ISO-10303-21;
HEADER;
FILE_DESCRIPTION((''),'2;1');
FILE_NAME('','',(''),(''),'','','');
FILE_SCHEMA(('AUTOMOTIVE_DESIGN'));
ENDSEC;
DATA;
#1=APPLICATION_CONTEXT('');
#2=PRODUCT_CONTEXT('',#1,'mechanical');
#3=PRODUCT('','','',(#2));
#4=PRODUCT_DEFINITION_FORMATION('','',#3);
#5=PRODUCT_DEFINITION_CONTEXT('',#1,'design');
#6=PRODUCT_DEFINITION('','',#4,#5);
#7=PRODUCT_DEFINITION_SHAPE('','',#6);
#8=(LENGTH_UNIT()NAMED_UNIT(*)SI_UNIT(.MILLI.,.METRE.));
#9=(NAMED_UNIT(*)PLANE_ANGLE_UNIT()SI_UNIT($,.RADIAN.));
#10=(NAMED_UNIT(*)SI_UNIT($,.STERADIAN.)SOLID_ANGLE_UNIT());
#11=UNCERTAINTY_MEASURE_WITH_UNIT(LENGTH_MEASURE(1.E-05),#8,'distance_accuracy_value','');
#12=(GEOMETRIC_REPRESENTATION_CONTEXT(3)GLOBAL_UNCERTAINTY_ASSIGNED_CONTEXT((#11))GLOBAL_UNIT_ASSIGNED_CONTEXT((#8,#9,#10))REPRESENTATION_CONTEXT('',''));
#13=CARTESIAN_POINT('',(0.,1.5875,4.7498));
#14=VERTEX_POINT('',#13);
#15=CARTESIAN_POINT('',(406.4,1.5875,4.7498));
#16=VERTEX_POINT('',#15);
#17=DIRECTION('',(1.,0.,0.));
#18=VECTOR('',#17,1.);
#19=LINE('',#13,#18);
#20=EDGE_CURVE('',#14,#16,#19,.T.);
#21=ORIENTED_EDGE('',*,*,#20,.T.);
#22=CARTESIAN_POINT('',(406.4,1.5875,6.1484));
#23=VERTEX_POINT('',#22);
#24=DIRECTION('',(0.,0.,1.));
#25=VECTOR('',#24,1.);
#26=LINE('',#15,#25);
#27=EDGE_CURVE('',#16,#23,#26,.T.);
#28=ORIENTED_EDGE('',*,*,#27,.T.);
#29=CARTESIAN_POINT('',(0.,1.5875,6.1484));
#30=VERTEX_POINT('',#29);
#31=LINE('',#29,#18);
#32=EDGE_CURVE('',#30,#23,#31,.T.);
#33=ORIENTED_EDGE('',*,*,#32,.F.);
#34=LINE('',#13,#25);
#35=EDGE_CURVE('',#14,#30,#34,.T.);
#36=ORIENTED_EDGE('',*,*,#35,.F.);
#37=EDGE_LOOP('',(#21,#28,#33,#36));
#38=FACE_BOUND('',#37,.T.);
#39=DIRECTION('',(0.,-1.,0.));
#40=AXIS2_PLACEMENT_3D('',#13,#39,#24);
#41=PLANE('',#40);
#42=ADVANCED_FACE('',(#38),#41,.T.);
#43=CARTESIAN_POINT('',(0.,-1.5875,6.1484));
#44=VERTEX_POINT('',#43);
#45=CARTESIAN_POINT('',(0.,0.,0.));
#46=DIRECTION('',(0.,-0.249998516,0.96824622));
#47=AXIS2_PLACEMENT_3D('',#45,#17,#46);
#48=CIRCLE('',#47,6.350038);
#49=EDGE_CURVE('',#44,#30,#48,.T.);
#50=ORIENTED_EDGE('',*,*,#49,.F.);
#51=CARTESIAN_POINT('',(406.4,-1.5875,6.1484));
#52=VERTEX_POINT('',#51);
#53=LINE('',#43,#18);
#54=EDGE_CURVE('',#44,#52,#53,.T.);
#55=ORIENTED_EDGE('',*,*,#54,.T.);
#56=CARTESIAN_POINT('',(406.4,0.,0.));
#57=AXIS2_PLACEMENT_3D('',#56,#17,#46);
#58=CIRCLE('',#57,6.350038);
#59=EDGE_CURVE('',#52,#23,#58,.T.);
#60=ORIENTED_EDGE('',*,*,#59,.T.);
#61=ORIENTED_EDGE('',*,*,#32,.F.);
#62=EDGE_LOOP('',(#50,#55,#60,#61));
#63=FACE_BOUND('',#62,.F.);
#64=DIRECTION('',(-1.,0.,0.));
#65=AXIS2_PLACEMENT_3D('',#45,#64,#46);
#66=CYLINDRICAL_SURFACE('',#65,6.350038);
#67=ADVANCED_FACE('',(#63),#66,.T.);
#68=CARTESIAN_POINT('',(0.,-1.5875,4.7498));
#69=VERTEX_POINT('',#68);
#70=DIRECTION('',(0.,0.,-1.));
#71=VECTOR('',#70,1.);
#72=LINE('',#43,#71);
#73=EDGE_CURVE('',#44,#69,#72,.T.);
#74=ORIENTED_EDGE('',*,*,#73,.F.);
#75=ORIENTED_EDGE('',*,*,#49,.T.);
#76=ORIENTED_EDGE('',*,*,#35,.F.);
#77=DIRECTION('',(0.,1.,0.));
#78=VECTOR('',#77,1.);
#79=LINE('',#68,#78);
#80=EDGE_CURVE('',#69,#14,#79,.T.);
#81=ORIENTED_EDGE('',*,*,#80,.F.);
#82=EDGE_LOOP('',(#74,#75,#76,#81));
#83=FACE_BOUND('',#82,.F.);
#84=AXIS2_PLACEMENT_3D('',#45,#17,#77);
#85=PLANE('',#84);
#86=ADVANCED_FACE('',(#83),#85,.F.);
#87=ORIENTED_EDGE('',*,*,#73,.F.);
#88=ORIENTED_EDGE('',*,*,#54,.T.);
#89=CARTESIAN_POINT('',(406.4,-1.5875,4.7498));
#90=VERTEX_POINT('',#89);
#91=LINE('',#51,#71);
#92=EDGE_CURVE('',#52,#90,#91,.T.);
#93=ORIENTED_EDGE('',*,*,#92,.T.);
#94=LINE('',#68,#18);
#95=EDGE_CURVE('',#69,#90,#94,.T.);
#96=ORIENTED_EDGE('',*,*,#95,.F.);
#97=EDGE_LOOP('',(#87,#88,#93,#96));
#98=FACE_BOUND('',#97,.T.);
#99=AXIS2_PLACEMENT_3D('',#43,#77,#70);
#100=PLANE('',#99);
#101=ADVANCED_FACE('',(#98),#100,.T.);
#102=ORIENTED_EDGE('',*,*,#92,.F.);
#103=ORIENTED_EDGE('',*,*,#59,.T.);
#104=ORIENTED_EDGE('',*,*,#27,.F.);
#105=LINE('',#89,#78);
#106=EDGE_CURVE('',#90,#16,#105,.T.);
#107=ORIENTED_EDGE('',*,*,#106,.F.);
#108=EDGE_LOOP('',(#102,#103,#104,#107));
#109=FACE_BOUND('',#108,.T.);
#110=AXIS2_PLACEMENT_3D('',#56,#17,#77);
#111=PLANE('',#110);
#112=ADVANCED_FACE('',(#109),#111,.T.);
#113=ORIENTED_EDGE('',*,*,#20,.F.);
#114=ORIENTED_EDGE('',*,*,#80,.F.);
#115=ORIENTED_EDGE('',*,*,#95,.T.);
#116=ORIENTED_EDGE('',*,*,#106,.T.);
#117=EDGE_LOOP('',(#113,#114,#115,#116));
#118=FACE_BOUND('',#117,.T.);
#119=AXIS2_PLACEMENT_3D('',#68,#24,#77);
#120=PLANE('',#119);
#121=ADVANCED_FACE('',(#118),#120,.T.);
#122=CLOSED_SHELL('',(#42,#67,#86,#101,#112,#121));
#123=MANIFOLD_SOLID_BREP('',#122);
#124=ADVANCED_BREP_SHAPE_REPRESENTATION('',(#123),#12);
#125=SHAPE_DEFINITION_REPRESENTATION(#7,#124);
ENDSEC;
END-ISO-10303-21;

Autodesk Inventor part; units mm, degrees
ref_plane "YZ Plane" through (0, 0, 0) normal (1, 0, 0) x (0, 1, 0)
ref_plane "XZ Plane" through (0, 0, 0) normal (0, 1, 0) x (-1, 0, 0)
ref_plane "XY Plane" through (0, 0, 0) normal (0, 0, 1) x (1, 0, 0)
sketch "Sketch1" plane through (0, 0, 0) normal (1, 0, 0) x (0, 1, 0)
  arc A0 (-1.5875, 6.1484) -> (1.5875, 6.1484) centre (0, 0) ccw
  line L0 (-1.5875, 6.1484) -> (-1.5875, 4.7498)
  line L1 (-1.5875, 4.7498) -> (1.5875, 4.7498)
  line L2 (1.5875, 4.7498) -> (1.5875, 6.1484)
  line L3 (-1.5875, 4.7498) -> (1.5875, 4.7498) construction
  line L4 (1.5875, 4.7498) -> (1.5875, 6.35) construction
  line L5 (1.5875, 6.35) -> (-1.5875, 6.35) construction
  line L6 (-1.5875, 6.35) -> (-1.5875, 4.7498) construction
  dimension "d0" = 1.6002
  dimension "d1" = 3.175
  dimension "d2" = 6.35
extrude "Extrusion1" add sketch "Sketch1" along normal blind 406.4
properties part number "Axle" material "Steel, Carbon"
